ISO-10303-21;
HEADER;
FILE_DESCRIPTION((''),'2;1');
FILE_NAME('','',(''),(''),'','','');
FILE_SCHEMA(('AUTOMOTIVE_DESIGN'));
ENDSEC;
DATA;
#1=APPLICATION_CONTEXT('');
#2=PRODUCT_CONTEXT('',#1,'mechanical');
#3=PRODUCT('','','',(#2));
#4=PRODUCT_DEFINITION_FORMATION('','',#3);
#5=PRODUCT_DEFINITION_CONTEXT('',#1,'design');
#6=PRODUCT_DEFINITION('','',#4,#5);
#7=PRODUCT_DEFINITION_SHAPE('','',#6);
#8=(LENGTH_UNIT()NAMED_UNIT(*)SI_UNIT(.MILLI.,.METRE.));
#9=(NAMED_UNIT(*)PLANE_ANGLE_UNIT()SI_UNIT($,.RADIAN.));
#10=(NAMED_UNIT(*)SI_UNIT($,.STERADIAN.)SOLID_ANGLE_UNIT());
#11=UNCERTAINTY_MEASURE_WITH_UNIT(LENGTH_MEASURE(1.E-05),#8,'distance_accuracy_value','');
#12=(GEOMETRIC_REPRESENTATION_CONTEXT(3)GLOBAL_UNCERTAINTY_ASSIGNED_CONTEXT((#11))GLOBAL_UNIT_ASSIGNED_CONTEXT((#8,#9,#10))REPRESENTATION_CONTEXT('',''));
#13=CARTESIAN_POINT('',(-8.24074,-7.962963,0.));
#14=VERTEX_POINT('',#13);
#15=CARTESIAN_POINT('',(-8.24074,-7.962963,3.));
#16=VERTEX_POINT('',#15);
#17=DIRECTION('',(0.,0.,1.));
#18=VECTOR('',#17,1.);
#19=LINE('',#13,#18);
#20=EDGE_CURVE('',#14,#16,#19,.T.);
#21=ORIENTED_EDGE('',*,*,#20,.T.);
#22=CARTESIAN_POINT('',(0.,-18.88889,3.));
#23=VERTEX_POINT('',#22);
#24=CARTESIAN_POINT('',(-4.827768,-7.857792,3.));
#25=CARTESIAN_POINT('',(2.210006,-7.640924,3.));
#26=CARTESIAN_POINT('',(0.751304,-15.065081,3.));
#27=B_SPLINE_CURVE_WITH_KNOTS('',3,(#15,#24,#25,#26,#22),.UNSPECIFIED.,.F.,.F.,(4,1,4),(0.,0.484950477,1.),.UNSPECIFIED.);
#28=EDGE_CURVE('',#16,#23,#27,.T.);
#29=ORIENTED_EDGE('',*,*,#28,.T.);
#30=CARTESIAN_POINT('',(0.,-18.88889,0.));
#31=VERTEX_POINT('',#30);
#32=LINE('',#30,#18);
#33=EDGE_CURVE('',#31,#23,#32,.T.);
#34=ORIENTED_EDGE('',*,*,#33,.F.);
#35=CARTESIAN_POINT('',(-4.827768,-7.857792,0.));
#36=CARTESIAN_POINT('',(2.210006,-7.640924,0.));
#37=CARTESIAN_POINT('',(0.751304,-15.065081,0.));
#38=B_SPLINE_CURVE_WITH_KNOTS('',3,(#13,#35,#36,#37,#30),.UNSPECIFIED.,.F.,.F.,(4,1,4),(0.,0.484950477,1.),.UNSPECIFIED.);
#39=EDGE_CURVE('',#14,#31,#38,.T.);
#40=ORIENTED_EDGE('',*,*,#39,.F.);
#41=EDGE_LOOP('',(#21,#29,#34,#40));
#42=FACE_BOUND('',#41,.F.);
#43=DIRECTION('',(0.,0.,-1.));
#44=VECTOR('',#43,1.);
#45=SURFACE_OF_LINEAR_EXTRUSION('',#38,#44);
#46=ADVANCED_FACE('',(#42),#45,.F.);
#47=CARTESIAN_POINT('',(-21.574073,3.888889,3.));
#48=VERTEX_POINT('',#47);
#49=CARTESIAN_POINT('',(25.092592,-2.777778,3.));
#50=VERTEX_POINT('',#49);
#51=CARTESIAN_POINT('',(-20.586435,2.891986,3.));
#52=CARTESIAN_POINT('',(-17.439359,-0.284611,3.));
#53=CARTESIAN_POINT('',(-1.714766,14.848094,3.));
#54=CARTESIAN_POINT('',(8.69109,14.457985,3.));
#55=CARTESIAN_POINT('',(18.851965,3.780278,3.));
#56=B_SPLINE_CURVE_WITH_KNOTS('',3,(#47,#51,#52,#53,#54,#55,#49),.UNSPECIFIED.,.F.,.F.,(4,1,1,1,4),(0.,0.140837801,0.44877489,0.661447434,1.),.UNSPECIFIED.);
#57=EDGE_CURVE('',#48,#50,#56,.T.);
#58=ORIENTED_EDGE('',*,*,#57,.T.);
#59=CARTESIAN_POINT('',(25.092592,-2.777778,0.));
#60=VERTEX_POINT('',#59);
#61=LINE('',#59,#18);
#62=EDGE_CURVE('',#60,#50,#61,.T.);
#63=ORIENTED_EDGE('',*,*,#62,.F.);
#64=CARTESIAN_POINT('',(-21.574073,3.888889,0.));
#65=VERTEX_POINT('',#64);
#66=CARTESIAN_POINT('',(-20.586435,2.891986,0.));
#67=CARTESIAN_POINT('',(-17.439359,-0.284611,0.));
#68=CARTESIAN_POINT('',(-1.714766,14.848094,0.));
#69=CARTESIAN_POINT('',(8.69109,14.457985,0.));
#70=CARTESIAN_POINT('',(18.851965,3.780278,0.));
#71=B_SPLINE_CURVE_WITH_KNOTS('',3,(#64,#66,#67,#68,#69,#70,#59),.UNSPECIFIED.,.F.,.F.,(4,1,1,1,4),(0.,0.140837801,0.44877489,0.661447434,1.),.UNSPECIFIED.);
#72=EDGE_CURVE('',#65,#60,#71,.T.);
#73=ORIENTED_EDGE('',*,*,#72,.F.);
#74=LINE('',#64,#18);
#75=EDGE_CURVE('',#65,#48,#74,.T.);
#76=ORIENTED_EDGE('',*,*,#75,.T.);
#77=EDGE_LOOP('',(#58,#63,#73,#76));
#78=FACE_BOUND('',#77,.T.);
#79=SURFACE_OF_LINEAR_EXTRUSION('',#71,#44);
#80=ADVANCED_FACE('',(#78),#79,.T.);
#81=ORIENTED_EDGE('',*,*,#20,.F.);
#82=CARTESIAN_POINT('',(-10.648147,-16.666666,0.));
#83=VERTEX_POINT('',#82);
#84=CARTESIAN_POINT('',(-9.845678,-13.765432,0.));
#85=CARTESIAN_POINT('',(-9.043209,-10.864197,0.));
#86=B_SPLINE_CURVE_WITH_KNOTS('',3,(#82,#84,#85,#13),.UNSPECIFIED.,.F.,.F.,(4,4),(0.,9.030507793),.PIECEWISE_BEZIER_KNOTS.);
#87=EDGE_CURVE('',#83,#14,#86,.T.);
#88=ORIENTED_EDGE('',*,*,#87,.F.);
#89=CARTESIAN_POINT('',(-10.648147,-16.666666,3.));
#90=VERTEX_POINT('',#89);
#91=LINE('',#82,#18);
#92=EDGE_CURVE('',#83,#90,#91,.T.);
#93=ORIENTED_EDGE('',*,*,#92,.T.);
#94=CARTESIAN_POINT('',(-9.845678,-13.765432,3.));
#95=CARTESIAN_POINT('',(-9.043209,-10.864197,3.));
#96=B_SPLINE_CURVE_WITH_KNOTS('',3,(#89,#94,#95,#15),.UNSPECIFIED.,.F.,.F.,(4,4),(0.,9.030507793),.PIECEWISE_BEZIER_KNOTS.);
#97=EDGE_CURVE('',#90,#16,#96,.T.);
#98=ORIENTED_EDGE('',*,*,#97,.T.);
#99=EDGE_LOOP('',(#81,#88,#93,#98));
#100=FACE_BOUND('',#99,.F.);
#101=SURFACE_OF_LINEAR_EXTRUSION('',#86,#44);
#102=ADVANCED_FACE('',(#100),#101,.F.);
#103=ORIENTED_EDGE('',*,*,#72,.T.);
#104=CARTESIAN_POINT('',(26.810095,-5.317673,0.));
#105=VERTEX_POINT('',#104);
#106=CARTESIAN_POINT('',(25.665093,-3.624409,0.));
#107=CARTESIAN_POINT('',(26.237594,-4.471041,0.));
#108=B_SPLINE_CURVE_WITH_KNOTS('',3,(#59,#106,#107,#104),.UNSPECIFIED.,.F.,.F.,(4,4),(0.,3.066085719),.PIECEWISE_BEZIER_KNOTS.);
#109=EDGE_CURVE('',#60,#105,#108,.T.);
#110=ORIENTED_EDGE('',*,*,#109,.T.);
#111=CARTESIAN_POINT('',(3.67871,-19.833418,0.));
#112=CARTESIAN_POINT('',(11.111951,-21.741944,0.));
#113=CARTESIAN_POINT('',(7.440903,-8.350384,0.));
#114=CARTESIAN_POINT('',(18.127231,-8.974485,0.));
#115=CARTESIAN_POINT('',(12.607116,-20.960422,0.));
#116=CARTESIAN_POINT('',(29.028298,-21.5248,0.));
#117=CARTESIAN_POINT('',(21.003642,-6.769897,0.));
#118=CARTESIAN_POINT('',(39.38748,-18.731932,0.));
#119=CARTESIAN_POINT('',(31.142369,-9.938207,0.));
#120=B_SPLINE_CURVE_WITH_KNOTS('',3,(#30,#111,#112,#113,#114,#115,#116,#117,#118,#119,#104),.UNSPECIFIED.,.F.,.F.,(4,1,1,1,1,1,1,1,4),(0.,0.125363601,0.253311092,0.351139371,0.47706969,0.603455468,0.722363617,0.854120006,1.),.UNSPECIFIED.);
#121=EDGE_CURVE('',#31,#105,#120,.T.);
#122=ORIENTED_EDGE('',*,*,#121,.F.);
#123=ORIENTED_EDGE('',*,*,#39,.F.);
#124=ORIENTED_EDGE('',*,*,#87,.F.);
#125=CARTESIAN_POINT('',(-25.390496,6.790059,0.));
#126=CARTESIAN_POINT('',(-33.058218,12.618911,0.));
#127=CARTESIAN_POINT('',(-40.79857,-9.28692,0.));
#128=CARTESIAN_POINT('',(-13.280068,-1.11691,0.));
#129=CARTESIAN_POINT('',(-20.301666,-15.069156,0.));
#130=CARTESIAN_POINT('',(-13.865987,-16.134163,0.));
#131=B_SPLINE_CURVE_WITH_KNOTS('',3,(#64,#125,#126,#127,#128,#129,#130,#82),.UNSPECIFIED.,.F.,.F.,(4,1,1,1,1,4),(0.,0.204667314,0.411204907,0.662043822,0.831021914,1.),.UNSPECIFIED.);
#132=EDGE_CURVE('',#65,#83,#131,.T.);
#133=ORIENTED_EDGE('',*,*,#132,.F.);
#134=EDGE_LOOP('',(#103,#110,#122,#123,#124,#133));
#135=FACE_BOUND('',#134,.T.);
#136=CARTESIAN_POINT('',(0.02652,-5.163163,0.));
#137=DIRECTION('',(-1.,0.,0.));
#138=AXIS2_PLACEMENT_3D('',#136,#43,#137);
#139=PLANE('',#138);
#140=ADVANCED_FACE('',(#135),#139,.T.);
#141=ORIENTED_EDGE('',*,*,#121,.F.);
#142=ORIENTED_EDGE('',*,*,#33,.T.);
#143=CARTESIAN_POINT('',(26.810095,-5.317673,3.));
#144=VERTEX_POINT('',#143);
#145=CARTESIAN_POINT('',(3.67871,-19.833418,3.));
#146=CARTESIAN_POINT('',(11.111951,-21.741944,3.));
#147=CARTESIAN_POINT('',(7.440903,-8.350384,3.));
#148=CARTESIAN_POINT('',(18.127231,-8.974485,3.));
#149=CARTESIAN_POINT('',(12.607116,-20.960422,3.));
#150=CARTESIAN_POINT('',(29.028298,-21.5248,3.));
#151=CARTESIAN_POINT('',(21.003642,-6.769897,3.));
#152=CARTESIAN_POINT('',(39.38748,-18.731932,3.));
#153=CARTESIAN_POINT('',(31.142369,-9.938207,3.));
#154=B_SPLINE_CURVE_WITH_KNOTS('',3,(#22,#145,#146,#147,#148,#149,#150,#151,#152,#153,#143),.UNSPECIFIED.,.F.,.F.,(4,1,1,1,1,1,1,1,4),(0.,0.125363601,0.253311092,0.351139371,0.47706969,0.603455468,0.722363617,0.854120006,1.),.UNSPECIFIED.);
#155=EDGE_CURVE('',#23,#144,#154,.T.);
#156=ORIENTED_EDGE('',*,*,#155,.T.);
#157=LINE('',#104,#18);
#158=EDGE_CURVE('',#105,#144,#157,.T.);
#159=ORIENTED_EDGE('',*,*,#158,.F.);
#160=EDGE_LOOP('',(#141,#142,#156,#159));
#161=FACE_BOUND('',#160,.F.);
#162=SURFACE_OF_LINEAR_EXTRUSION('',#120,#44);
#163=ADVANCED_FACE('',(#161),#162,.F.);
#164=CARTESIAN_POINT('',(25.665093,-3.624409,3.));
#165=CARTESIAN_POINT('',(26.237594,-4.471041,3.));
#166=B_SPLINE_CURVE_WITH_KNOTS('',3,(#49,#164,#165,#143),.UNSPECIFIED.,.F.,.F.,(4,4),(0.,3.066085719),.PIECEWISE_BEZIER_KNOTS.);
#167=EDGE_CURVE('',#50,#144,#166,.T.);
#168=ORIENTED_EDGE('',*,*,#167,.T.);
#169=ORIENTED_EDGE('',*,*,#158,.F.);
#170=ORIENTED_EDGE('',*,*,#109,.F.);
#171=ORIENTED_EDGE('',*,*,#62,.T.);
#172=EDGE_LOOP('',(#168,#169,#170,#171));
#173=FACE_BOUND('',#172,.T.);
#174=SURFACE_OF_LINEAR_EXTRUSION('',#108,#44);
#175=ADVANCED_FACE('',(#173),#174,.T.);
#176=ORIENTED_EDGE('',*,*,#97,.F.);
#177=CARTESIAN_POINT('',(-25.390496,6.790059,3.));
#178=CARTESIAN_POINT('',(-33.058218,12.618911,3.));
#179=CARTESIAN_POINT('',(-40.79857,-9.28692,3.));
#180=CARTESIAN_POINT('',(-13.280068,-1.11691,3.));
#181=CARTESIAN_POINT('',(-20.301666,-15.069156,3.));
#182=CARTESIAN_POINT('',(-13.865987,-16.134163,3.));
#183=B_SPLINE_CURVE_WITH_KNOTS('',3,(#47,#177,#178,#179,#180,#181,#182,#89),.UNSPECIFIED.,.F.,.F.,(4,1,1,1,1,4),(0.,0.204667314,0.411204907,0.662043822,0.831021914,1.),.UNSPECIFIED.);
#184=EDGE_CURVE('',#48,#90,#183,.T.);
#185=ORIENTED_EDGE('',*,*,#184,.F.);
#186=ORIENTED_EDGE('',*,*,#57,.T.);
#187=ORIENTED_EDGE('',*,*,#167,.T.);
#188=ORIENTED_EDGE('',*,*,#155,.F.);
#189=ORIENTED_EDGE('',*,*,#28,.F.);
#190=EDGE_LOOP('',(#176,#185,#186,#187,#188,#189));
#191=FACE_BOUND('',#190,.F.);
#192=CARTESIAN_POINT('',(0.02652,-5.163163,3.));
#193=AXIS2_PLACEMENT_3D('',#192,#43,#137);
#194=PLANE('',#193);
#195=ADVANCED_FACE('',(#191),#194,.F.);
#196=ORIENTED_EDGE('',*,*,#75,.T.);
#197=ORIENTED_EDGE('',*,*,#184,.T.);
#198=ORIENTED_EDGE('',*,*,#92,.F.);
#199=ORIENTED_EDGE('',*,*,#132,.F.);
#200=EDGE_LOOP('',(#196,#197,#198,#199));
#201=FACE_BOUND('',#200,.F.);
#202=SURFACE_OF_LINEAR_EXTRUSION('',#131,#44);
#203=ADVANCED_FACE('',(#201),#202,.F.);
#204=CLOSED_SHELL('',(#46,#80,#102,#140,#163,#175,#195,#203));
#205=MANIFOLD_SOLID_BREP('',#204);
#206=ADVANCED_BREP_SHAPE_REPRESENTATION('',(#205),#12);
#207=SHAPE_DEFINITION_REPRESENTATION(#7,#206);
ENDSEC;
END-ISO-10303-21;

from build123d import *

# Parameters (mm, degrees)
F1_DEPTH = 3


with BuildPart() as f1:
    # F0 (on Top) → F1 (new body)
    with BuildSketch(Plane.XY):
        with BuildLine():
            add(Edge.make_bspline(
                [(-21.574072821, 3.8888887329), (-20.5864346589, 2.8919860433), (-17.4393590607, -0.284610658), (-1.7147656087, 14.8480935817), (8.6910897304, 14.4579846423), (18.8519648837, 3.7802779783), (25.0925919739, -2.7777777466)],
                knots=[0, 0, 0, 0, 0.1408378011, 0.4487748896, 0.6614474339, 1, 1, 1, 1], degree=3))
            add(Edge.make_bspline(
                [(-21.574072821, 3.8888887329), (-25.3904960568, 6.7900590146), (-33.0582175304, 12.6189108725), (-40.7985698853, -9.2869197489), (-13.2800676566, -1.1169102132), (-20.3016664137, -15.069156141), (-13.8659870791, -16.1341630394), (-10.648147467, -16.6666664795)],
                knots=[0, 0, 0, 0, 0.2046673142, 0.4112049065, 0.6620438218, 0.8310219138, 1, 1, 1, 1], degree=3))
            add(Edge.make_bspline(
                [(-10.648147467, -16.6666664795), (-9.8456784526, -13.7654318319), (-9.0432094381, -10.8641971842), (-8.2407404236, -7.9629625366)],
                knots=[0, 0, 0, 0, 9.0305077929, 9.0305077929, 9.0305077929, 9.0305077929], degree=3))
            add(Edge.make_bspline(
                [(-8.2407404236, -7.9629625366), (-4.8277684495, -7.8577922676), (2.2100057928, -7.6409242077), (0.7513037775, -15.0650811048), (0, -18.8888895752)],
                knots=[0, 0, 0, 0, 0.4849504767, 1, 1, 1, 1], degree=3))
            add(Edge.make_bspline(
                [(0, -18.8888895752), (3.6787095957, -19.8334184895), (11.1119512939, -21.7419441635), (7.4409032782, -8.3503838392), (18.1272308362, -8.9744851376), (12.6071161397, -20.9604221367), (29.0282979688, -21.5248004141), (21.0036423442, -6.7698967572), (39.3874801251, -18.7319321444), (31.1423685294, -9.9382072862), (26.8100947142, -5.3176726215)],
                knots=[0, 0, 0, 0, 0.1253636009, 0.2533110923, 0.3511393708, 0.4770696896, 0.6034554676, 0.7223636174, 0.8541200059, 1, 1, 1, 1], degree=3))
            add(Edge.make_bspline(
                [(25.0925919739, -2.7777777466), (25.6650928873, -3.6244093715), (26.2375938007, -4.4710409965), (26.8100947142, -5.3176726215)],
                knots=[0, 0, 0, 0, 3.0660857193, 3.0660857193, 3.0660857193, 3.0660857193], degree=3))
        make_face()
    extrude(amount=F1_DEPTH)


solid = f1.part
